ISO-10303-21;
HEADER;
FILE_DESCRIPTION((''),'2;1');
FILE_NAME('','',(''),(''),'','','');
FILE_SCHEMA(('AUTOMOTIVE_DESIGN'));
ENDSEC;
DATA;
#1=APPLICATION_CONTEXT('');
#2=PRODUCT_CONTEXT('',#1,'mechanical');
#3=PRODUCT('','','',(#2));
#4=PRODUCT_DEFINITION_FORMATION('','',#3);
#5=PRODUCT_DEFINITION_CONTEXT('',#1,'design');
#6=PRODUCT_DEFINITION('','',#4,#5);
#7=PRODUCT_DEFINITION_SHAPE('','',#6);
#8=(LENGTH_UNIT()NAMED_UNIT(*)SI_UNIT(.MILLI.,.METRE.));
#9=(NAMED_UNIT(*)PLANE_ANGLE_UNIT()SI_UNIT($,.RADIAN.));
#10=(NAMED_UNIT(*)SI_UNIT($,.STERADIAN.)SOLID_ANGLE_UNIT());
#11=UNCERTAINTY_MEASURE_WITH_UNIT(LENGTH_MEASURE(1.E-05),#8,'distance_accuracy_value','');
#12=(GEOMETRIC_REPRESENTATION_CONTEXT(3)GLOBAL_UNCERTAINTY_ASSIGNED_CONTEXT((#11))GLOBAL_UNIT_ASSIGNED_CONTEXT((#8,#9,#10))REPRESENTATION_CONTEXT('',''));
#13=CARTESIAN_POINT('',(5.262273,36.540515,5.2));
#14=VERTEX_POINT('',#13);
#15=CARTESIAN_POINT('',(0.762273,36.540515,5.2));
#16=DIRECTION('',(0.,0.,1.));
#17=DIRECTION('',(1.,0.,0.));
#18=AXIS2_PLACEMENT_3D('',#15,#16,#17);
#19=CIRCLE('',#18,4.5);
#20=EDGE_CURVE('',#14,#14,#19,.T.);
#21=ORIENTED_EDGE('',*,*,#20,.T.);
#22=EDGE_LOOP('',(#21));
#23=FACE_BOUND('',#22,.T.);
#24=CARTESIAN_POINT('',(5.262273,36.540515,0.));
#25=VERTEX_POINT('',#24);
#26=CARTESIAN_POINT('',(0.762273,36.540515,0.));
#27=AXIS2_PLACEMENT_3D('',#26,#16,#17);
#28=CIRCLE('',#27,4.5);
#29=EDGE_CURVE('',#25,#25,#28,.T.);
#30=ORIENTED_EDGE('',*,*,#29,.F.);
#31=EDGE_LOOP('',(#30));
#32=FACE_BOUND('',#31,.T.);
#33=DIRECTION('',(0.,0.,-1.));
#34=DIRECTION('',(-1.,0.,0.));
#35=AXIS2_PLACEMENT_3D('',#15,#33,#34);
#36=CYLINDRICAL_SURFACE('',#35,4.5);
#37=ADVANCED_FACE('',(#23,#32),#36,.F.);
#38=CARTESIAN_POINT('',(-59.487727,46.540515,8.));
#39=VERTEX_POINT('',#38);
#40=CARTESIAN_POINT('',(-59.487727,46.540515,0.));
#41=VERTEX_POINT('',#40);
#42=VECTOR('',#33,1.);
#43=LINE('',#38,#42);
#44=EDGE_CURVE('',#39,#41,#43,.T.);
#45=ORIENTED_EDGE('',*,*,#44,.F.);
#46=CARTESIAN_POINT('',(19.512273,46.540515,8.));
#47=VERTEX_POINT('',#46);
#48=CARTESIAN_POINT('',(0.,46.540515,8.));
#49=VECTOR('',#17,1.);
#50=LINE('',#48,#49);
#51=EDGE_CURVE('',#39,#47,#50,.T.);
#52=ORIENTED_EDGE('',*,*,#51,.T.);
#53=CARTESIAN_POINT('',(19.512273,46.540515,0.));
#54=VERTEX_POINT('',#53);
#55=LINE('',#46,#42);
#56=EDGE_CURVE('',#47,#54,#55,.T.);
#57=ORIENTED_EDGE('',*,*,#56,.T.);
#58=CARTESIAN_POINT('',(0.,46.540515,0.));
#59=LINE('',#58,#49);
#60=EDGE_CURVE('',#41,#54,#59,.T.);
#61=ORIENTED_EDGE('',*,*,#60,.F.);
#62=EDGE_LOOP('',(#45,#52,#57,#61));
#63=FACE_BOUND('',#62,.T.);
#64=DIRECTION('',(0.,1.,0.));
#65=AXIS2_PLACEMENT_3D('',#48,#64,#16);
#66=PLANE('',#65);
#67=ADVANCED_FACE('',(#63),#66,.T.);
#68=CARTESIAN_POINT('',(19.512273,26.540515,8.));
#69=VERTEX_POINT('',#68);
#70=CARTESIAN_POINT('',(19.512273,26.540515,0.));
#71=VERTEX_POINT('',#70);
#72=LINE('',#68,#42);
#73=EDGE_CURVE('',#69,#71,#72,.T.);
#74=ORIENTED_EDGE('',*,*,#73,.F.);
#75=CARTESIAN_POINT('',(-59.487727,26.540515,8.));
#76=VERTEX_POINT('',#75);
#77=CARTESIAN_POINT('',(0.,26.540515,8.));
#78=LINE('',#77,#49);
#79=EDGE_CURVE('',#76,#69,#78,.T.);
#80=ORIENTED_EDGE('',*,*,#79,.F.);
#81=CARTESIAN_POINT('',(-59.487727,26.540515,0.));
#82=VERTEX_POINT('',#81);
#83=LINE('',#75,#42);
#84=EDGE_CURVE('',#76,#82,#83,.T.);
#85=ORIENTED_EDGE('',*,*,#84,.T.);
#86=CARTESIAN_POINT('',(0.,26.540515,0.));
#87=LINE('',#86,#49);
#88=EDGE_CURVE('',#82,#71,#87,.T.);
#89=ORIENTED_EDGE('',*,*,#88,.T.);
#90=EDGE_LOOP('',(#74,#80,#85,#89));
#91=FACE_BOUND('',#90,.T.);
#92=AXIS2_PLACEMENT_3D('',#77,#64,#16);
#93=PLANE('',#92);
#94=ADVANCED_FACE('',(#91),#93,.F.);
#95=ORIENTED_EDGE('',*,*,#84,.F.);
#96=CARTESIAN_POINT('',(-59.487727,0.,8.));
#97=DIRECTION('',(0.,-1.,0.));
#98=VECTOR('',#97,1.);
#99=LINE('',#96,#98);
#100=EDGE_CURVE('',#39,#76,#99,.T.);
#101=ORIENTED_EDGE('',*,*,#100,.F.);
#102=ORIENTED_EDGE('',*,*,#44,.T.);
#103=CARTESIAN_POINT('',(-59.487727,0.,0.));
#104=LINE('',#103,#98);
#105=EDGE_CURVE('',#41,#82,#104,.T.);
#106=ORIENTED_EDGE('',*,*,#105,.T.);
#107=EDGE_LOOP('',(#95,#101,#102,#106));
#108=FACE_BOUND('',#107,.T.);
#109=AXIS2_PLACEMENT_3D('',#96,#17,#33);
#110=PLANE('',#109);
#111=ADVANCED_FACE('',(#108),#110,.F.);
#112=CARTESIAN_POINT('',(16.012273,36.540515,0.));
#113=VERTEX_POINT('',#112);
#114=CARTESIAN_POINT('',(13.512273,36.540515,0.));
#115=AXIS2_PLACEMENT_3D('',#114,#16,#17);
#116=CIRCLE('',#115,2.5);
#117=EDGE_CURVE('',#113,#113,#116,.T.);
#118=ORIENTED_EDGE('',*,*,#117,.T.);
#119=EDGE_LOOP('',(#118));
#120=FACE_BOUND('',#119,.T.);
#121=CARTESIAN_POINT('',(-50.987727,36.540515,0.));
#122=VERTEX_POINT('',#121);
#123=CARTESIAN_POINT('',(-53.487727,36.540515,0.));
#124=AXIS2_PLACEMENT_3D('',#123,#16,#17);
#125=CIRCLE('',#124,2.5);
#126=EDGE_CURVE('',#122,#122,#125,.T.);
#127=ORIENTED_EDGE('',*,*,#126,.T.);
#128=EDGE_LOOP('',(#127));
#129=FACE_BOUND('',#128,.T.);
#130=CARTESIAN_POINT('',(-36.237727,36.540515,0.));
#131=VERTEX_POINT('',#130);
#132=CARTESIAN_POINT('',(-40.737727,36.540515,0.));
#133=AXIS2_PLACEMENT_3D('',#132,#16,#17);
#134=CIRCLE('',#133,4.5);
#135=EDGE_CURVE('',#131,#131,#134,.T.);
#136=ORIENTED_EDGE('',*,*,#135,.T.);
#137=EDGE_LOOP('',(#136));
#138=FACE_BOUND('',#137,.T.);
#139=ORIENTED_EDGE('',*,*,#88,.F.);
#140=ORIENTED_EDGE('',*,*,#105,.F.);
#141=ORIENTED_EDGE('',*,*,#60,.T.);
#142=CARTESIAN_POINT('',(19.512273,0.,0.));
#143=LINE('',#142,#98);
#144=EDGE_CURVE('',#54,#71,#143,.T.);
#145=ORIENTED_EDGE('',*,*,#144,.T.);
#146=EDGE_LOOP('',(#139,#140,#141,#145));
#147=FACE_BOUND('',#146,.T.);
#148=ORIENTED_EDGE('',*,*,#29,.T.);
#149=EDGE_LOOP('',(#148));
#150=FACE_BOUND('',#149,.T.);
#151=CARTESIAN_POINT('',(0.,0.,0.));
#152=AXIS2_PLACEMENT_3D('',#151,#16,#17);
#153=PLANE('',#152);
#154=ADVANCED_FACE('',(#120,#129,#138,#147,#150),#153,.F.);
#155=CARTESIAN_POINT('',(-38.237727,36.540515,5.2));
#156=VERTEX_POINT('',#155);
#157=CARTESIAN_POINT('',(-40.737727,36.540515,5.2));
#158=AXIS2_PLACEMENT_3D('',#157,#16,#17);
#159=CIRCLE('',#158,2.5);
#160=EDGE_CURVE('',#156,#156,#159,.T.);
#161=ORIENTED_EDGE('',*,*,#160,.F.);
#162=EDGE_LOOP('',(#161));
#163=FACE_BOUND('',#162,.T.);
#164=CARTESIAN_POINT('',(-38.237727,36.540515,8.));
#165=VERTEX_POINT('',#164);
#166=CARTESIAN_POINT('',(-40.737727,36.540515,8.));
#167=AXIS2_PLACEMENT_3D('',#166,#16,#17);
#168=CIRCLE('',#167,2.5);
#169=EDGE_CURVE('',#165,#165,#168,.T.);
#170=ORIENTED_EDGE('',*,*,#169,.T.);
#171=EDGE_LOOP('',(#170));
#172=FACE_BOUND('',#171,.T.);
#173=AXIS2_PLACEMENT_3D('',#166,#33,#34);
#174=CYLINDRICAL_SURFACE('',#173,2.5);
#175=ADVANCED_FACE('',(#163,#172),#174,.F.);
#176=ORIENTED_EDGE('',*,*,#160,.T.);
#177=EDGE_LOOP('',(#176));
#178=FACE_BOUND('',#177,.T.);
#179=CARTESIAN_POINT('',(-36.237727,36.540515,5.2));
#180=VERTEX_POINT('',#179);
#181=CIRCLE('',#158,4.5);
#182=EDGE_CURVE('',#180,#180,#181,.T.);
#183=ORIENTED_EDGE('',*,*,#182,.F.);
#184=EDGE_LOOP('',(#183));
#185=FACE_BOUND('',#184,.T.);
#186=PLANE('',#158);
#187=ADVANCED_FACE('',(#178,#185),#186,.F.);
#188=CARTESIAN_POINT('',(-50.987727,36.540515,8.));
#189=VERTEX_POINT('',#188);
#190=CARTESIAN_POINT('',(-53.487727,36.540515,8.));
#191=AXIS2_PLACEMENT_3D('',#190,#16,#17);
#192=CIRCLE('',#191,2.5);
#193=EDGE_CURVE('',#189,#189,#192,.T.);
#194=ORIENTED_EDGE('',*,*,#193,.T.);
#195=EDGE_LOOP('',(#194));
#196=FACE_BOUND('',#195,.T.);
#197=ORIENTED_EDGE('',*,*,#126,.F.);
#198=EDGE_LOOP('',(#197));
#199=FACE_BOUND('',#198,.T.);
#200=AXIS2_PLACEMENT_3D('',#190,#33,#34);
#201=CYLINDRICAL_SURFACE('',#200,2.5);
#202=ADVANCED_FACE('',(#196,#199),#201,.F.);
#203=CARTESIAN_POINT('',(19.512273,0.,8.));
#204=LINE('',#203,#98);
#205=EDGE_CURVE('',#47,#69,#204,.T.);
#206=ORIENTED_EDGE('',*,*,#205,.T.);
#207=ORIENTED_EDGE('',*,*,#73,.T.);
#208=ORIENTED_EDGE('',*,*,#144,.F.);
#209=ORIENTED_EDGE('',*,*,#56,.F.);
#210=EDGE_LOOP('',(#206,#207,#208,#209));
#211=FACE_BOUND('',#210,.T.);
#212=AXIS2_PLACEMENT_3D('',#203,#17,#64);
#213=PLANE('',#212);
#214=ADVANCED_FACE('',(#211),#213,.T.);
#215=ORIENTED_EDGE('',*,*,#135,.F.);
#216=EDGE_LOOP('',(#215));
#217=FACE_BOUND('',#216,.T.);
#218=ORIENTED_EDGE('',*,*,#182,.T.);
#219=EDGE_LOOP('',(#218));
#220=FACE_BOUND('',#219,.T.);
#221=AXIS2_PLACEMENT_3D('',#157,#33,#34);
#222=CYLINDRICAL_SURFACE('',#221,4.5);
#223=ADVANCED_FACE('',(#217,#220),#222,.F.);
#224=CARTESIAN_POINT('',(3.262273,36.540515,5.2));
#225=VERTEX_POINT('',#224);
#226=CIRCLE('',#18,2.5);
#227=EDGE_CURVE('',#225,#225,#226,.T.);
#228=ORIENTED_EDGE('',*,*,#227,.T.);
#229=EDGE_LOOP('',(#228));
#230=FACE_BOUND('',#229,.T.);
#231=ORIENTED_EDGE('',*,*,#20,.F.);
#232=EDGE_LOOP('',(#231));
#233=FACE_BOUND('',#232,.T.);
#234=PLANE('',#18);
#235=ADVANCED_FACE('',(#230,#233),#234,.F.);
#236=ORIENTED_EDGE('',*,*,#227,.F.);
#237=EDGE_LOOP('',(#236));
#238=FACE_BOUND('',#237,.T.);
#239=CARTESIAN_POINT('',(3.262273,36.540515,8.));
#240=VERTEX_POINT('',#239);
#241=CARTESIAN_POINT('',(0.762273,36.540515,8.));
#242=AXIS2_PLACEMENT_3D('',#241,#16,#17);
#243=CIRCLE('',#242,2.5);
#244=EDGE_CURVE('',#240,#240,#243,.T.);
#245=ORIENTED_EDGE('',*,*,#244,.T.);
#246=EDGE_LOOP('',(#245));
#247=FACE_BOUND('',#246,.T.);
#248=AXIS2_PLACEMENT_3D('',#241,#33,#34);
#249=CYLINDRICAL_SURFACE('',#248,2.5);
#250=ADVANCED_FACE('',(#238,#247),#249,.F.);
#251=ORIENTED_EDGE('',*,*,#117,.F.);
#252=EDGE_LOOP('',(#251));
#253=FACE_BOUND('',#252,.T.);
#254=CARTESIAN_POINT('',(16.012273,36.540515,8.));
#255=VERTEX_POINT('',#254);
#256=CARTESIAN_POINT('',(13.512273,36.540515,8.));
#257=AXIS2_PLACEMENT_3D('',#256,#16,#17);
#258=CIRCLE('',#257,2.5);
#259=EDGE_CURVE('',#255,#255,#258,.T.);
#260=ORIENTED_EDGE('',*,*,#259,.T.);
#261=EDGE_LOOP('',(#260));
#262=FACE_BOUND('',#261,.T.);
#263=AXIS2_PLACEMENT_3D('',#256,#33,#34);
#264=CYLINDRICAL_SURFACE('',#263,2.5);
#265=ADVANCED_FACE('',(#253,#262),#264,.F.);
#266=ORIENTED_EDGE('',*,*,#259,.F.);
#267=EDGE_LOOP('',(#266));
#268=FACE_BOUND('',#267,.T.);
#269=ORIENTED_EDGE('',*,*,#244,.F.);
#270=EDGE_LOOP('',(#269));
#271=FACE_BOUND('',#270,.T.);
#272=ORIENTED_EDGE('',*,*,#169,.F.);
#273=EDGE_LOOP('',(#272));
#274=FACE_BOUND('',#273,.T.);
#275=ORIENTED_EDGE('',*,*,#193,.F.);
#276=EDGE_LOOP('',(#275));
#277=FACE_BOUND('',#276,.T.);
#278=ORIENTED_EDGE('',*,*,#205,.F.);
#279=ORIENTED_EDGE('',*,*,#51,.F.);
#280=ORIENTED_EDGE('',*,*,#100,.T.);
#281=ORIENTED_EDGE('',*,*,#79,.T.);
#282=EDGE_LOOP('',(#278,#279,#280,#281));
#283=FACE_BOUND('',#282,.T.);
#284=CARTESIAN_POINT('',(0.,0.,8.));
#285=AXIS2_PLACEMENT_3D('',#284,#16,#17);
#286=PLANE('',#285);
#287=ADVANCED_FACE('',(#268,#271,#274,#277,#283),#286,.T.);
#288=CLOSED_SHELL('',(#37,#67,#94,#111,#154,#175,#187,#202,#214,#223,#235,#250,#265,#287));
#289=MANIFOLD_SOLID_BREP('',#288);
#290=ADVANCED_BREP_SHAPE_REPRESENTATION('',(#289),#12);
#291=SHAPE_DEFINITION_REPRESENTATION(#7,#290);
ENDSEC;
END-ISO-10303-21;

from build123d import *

# Parameters (mm, degrees)
SKETCH_1_W          = 79
SKETCH_1_H          = 20
SKETCH_1_R          = 2.5
EXTRUDE_1_DEPTH     = 8
SKETCH_1_3_R        = 4.5
CUT_EXTRUDE_1_DEPTH = 5.2
SKETCH_1_4_R        = 4.5
CUT_EXTRUDE_2_DEPTH = 5.2


with BuildPart() as part:
    # 草图1 → 凸台-拉伸1 (new body)
    with BuildSketch(Plane.XY):
        with Locations((-19.987727126, 36.540514884)):
            Rectangle(SKETCH_1_W, SKETCH_1_H)
        with Locations((-40.737727126, 36.540514884)):
            Circle(SKETCH_1_R, mode=Mode.SUBTRACT)
        with Locations((-53.487727126, 36.540514884)):
            Circle(SKETCH_1_R, mode=Mode.SUBTRACT)
        with Locations((13.512272874, 36.540514884)):
            Circle(SKETCH_1_R, mode=Mode.SUBTRACT)
        with Locations((0.762272874, 36.540514884)):
            Circle(SKETCH_1_R, mode=Mode.SUBTRACT)
    extrude(amount=EXTRUDE_1_DEPTH)

    # 草图1<3> → 切除-拉伸1 (cut)
    with BuildSketch(Plane.XY):
        with Locations((0.762272874, 36.540514884)):
            Circle(SKETCH_1_3_R)
    extrude(amount=CUT_EXTRUDE_1_DEPTH, mode=Mode.SUBTRACT)

    # 草图1<4> → 切除-拉伸2 (cut)
    with BuildSketch(Plane.XY):
        with Locations((-40.737727126, 36.540514884)):
            Circle(SKETCH_1_4_R)
    extrude(amount=CUT_EXTRUDE_2_DEPTH, mode=Mode.SUBTRACT)


solid = part.part
